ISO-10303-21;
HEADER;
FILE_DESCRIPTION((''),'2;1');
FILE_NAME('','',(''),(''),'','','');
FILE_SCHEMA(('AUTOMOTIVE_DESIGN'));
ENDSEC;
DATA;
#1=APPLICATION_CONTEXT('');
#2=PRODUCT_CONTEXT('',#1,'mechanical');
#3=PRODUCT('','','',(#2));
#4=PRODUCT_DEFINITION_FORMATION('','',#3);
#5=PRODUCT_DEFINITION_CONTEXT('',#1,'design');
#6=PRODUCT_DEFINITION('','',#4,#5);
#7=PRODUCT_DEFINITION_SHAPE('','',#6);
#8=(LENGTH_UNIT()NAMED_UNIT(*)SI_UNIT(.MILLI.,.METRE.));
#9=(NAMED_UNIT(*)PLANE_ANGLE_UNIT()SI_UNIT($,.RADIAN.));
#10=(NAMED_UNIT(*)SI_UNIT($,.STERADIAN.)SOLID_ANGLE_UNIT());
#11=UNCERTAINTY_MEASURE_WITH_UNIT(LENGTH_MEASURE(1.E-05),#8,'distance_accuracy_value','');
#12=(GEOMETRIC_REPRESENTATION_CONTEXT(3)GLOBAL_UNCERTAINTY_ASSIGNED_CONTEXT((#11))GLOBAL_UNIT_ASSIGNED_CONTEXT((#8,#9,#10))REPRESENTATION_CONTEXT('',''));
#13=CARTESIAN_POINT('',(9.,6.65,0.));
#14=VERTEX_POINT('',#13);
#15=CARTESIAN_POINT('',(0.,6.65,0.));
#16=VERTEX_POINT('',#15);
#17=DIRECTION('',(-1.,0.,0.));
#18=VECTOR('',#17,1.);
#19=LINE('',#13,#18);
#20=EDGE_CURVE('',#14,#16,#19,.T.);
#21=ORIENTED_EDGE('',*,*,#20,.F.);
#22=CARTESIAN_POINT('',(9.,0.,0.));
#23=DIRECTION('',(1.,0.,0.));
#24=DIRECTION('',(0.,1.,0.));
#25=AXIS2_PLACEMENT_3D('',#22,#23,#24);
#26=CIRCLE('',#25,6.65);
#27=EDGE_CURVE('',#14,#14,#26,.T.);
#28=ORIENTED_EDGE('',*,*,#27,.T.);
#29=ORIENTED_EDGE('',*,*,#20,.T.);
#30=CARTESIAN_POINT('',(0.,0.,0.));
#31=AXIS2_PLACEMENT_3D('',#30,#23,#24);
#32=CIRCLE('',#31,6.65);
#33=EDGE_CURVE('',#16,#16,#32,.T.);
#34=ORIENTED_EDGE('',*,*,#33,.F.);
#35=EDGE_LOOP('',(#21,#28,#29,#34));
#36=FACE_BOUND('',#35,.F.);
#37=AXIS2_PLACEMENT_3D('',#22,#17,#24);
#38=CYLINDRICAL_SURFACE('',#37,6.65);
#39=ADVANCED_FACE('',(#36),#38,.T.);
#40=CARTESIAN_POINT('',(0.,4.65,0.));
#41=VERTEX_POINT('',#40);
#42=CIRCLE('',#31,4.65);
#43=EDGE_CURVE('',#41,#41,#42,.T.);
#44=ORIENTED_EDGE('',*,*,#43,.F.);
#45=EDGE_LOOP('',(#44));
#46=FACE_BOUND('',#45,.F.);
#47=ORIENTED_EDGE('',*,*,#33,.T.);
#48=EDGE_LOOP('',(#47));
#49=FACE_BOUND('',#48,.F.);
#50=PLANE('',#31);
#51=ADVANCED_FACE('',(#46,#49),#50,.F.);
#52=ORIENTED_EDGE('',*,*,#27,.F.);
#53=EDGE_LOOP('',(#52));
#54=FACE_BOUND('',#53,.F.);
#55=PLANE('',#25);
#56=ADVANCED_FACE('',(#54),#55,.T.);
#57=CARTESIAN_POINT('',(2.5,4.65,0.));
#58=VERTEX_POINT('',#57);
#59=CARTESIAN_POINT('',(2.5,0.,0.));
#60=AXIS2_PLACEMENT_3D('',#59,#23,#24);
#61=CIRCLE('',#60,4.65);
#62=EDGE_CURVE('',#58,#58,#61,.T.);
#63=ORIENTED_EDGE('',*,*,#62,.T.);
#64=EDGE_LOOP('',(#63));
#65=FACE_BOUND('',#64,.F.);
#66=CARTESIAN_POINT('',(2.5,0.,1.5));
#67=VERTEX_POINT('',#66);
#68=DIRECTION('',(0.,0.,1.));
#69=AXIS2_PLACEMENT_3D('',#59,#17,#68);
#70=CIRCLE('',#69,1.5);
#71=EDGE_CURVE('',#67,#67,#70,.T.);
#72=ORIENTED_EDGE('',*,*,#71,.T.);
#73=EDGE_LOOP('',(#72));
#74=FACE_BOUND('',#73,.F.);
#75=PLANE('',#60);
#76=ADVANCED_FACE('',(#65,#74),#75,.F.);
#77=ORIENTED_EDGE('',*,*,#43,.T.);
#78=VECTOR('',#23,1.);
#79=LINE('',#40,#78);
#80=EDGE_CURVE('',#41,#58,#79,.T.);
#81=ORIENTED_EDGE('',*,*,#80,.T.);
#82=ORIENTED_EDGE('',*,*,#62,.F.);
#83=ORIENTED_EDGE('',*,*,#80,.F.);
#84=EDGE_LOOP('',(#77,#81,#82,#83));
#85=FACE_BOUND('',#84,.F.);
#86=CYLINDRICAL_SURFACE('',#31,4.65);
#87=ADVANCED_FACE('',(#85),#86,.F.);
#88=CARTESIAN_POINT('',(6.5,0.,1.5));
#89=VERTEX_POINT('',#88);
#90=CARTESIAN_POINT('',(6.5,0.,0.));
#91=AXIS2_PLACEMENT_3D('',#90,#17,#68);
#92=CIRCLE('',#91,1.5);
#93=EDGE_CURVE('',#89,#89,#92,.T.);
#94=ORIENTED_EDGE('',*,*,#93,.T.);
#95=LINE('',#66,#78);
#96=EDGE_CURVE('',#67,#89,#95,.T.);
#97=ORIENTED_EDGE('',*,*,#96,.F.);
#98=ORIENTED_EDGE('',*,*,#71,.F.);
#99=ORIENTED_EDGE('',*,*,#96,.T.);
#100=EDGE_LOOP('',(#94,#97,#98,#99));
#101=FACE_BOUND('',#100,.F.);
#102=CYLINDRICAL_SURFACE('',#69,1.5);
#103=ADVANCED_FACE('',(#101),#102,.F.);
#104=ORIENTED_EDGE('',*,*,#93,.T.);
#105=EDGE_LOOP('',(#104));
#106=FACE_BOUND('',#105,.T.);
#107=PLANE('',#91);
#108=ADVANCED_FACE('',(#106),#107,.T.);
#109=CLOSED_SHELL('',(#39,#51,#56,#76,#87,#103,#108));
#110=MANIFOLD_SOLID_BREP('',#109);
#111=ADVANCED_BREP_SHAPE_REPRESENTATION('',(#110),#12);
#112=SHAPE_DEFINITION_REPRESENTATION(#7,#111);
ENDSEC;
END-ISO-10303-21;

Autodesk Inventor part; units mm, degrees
ref_plane "YZ Plane" through (0, 0, 0) normal (1, 0, 0) x (0, 1, 0)
ref_plane "XZ Plane" through (0, 0, 0) normal (0, 1, 0) x (-1, 0, 0)
ref_plane "XY Plane" through (0, 0, 0) normal (0, 0, 1) x (1, 0, 0)
sketch "Esboço1" plane through (0, 0, 0) normal (0, 0, 1) x (1, 0, 0)
  line L0 (0, 0) -> (9, 0)
  line L1 (9, 0) -> (9, 6.65)
  line L2 (9, 6.65) -> (0, 6.65)
  line L3 (0, 6.65) -> (0, 4.65)
  line L4 (0, 4.65) -> (2.5, 4.65)
  line L5 (2.5, 4.65) -> (2.5, 0)
  dimension "d0" = 9
  dimension "d1" = 6.65
  dimension "d2" = 2
  dimension "d3" = 2.5
revolve "Revolução1" add sketch "Esboço1" angle 360 about axis through (0, 0, 0) along (1, 0, 0)
sketch "Esboço2" plane through (9, 0, 0) normal (1, 0, 0) x (0, 0, -1)
  circle A0 centre (0, 0) radius 2
  dimension "d5" = 4
extrude "Extrusão1" add sketch "Esboço2" along normal blind 1.5
sketch "Esboço3" plane through (2.5, 0, 0) normal (-1, 0, 0) x (0, 0, 1)
  circle A0 centre (0, 0) radius 1.5
  dimension "d8" = 3
extrude "Extrusão2" cut sketch "Esboço3" against normal blind 4
sketch "Esboço4" plane through (0, 0, 0) normal (-1, 0, 0) x (0, 0, 1)
  point P0 (0, 0)
sketch "Esboço5" plane through (9, 0, 0) normal (1, 0, 0) x (0, 0, -1)
  point P0 (0, 0)
sketch "Esboço6" plane through (10.5, 0, 0) normal (1, 0, 0) x (0, 0, -1)
  circle A0 centre (0, 0) radius 2 projected
  circle A1 centre (0, 0) radius 1
  dimension "d11" = 2
extrude "Extrusão3" cut sketch "Esboço6" against normal blind 1.06 contours A1
sketch "Esboço7" plane through (10.5, 0, 0) normal (1, 0, 0) x (0, 0, -1)
  circle A0 centre (0, 0) radius 2
extrude "Extrusão4" cut sketch "Esboço7" against normal blind 1.5
properties part number "roda sup"
